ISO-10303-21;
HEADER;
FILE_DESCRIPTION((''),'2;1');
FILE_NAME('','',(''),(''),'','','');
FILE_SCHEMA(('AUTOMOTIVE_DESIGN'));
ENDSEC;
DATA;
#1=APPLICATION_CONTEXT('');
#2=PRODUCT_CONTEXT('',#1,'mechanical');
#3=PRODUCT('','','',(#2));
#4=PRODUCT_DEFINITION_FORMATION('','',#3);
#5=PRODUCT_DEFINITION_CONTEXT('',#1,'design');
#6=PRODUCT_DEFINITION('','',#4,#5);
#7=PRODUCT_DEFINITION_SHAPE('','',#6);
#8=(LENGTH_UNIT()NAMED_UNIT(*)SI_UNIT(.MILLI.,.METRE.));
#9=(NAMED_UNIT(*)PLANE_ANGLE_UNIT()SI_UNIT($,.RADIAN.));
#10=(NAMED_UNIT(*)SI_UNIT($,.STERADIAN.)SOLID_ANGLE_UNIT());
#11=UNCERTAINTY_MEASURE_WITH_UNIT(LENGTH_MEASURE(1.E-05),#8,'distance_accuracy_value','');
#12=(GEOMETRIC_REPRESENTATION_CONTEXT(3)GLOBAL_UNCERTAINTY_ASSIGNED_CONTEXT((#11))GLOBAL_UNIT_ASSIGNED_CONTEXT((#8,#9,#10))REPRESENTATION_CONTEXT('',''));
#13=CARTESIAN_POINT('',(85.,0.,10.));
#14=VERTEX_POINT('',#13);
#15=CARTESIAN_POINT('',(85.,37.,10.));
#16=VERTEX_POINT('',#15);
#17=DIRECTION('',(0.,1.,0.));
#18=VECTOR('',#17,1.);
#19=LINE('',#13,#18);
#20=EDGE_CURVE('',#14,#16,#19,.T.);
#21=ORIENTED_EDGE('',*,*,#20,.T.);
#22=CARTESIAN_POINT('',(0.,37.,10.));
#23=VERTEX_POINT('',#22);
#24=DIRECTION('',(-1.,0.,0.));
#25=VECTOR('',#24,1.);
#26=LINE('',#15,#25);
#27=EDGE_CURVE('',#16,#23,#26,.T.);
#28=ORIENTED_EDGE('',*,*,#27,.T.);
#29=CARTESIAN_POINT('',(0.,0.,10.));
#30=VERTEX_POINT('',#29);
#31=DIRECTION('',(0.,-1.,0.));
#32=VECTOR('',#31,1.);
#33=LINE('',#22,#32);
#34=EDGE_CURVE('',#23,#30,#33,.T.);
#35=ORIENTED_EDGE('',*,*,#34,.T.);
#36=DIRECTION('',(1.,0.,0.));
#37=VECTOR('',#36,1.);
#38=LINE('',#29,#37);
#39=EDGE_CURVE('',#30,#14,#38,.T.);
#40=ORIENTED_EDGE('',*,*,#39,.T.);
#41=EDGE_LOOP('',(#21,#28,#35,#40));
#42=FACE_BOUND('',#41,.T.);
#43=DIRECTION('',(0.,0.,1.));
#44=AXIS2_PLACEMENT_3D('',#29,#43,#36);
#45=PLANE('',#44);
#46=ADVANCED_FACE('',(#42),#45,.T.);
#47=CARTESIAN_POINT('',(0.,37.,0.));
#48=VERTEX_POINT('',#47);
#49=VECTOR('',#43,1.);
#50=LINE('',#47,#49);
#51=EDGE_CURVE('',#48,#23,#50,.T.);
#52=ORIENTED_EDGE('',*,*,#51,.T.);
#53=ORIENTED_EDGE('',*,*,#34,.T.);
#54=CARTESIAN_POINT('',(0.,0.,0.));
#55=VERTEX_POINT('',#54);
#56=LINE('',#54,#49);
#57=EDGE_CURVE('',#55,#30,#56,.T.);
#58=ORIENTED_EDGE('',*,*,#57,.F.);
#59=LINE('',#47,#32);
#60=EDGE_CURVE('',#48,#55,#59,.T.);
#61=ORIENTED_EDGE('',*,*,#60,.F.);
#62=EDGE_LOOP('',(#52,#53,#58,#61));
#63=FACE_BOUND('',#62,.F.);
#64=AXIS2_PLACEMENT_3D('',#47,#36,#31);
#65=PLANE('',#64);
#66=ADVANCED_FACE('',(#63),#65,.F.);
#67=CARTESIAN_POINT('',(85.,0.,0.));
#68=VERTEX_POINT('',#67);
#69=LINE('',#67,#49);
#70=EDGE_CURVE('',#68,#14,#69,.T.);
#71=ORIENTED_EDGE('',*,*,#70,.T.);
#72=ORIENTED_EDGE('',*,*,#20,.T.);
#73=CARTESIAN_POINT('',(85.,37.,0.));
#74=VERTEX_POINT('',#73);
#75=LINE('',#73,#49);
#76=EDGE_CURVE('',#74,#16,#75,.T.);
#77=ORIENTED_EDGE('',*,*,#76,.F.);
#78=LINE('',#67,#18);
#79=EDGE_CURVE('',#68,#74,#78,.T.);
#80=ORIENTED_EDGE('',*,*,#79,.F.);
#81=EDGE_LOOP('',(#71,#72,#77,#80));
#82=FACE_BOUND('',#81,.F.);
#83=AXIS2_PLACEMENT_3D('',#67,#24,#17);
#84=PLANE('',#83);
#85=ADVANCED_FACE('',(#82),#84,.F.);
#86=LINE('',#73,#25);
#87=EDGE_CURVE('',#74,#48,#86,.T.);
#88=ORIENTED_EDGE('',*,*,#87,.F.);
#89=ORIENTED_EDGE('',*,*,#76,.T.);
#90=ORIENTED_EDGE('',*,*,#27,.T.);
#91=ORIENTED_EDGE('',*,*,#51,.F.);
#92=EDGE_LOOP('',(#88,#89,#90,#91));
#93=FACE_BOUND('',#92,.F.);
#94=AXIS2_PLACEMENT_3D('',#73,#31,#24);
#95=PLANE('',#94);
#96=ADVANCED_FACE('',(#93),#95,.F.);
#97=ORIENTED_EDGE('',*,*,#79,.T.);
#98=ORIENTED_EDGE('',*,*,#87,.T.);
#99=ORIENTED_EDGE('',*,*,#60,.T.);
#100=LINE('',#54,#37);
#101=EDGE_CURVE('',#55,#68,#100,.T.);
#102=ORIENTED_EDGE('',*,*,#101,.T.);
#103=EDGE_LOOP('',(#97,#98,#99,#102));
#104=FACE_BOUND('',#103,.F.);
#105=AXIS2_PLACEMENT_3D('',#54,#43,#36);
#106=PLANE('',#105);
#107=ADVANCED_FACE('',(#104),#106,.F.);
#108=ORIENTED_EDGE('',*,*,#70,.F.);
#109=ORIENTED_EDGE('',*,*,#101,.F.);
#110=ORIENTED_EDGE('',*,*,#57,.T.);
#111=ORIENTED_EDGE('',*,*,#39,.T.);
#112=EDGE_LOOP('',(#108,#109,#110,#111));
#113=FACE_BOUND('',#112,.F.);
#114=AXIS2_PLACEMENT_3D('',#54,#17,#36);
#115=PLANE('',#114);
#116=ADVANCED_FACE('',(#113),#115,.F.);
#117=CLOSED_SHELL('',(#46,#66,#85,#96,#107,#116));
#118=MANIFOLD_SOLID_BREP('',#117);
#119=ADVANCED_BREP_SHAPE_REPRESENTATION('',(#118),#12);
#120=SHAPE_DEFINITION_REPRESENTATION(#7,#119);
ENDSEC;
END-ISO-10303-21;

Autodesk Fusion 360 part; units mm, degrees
sketch "Esquisse1" plane through (0, 0, 0) normal (0, 0, 1) x (1, 0, 0)
  line L0 (0, 0) -> (85, 0)
  line L1 (85, 0) -> (85, 37)
  line L2 (85, 37) -> (0, 37)
  line L3 (0, 37) -> (0, 0)
  dimension "d1" = 85
  dimension "d2" = 37
extrude "Extrusion1" add sketch "Esquisse1" along normal blind 10
